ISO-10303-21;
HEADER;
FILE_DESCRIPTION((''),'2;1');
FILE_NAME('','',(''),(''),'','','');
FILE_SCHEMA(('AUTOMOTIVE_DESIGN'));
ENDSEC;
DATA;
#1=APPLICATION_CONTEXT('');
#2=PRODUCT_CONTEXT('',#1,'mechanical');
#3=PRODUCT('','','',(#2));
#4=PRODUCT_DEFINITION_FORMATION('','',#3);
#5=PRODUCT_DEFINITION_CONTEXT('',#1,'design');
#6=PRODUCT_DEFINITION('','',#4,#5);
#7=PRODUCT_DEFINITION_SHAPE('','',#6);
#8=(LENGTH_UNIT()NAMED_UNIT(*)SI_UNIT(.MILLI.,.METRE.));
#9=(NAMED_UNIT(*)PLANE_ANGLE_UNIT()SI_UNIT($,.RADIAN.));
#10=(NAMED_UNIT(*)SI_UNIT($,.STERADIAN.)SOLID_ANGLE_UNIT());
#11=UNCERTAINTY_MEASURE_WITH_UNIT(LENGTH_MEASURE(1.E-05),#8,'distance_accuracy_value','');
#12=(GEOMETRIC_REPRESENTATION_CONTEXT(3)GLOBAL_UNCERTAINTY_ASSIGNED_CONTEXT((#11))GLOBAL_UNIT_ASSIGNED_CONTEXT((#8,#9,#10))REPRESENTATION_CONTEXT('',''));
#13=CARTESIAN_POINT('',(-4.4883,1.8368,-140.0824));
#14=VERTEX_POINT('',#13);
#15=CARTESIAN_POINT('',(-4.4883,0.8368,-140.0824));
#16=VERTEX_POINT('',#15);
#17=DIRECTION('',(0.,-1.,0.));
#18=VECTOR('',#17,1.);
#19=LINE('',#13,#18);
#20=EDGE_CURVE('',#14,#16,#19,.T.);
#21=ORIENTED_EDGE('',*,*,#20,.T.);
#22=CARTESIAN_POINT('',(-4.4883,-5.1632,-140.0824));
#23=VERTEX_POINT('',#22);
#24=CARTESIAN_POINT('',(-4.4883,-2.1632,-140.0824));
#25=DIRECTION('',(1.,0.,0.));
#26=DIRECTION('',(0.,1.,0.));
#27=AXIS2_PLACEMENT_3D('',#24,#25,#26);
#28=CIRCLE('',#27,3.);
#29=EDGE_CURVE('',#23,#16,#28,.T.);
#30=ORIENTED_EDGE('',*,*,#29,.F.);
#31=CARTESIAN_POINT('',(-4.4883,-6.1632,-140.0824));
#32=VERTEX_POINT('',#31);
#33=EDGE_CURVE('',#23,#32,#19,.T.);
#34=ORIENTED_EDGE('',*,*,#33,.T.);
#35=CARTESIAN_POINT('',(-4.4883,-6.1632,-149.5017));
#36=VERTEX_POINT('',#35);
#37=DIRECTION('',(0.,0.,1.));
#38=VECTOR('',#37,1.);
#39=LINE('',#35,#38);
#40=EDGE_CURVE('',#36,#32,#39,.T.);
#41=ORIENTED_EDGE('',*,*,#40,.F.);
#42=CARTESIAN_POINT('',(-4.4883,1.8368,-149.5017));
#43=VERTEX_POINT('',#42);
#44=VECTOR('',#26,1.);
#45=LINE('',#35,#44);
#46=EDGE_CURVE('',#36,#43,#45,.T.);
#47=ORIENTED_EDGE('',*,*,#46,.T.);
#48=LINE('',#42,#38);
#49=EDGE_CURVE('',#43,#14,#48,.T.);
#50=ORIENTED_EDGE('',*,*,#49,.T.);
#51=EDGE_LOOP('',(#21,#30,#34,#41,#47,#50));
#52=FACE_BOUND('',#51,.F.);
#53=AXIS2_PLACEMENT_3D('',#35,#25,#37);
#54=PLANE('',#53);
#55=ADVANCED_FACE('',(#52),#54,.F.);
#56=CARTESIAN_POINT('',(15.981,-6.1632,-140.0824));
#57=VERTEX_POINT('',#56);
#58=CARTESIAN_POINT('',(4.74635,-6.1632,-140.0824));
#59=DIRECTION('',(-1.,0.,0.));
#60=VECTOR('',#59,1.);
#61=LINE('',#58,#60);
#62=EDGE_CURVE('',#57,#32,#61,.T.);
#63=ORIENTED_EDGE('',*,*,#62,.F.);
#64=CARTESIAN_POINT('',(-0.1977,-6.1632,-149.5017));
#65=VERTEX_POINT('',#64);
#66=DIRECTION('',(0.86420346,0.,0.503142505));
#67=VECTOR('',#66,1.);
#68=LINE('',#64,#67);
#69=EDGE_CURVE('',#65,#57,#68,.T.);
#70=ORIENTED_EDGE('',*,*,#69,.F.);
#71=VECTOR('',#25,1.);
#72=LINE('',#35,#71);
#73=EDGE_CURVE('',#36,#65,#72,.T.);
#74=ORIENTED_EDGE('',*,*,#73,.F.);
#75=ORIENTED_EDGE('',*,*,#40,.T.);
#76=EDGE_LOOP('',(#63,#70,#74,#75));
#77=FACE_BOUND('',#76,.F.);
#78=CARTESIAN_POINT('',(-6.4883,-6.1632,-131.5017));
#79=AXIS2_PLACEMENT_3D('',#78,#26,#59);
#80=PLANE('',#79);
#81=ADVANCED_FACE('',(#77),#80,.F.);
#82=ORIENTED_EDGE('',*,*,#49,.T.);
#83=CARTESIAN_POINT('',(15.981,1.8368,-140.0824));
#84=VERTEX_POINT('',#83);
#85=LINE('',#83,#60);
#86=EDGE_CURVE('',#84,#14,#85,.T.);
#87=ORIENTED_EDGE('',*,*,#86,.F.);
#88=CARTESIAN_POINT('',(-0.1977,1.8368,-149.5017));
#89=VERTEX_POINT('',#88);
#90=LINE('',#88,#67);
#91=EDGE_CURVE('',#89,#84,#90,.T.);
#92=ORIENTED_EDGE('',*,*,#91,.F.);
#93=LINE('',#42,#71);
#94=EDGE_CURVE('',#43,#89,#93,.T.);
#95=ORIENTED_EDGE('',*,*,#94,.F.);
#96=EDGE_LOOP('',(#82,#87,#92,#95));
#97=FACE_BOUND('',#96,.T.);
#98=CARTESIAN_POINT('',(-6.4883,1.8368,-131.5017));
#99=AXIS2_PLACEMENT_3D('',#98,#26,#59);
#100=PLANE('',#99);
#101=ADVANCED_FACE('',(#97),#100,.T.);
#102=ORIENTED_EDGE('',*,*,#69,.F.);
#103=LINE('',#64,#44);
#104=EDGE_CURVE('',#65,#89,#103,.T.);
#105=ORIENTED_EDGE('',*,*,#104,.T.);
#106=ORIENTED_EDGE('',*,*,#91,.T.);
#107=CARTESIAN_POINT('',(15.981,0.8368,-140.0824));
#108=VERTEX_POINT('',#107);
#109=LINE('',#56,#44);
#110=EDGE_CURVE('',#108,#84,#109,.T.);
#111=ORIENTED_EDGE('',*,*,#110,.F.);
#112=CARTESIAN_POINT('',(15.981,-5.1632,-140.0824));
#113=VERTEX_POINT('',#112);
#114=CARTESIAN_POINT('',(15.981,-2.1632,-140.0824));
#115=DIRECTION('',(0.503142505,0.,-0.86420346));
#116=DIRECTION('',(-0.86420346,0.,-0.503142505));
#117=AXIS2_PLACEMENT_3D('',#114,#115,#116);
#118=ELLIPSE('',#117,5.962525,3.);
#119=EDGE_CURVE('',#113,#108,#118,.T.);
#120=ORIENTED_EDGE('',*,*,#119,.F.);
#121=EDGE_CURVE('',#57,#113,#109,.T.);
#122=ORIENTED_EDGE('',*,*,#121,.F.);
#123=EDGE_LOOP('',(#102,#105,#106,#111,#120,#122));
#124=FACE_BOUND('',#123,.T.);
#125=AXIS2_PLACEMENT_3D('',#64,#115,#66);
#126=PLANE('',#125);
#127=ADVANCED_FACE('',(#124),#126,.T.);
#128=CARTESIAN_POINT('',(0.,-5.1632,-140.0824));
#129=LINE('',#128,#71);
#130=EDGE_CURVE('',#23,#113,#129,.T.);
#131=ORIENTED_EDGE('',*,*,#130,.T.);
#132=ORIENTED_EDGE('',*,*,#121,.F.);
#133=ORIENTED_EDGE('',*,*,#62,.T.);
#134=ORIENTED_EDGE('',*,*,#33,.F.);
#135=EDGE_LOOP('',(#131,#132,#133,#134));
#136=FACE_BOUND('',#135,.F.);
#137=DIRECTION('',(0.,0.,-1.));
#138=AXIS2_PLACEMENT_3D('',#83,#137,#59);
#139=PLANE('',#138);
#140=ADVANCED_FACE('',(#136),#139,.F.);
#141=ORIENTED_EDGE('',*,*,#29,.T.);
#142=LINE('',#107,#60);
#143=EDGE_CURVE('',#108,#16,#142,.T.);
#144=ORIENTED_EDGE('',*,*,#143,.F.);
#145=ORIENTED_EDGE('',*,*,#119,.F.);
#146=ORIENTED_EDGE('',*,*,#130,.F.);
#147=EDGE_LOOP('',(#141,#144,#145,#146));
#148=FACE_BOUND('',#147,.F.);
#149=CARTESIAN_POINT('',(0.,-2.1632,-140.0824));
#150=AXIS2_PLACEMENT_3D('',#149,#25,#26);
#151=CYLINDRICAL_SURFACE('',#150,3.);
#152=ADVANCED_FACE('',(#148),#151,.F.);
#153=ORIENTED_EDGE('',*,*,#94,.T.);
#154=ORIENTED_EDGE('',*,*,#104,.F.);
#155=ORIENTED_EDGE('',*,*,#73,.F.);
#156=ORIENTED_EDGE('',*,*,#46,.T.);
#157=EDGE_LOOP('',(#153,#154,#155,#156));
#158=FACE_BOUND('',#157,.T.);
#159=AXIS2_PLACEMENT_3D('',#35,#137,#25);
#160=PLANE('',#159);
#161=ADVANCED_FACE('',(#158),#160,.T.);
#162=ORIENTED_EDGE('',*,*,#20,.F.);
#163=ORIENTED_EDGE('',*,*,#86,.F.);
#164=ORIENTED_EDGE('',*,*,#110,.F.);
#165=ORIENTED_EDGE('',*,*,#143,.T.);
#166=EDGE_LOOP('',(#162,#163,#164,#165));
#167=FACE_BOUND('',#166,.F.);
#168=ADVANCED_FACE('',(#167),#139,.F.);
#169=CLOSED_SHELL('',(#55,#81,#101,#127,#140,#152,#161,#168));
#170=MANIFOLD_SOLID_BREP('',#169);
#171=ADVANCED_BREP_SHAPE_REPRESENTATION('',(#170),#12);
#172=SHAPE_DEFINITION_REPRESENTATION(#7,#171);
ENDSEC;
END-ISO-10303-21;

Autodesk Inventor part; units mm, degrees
ref_plane "YZ Plane" through (0, 0, 0) normal (1, 0, 0) x (0, 1, 0)
ref_plane "XZ Plane" through (0, 0, 0) normal (0, 1, 0) x (-1, 0, 0)
ref_plane "XY Plane" through (0, 0, 0) normal (0, 0, 1) x (1, 0, 0)
ref_plane "Work Plane1" through (-6.4883, -6.1632, -131.5017) normal (0, 1, 0) x (-1, 0, 0)
sketch "Sketch1" plane through (-6.4883, -6.1632, -131.5017) normal (0, 1, 0) x (-1, 0, 0)
  line L0 (-2, -18) -> (-2, 0) projected
  line L1 (-2, 0) -> (-7.4816, 0) projected
  line L2 (-22.4693, -8.5807) -> (-7.4816, 0) projected
  line L3 (-6.2906, -18) -> (-22.4693, -8.5807) projected
  line L4 (-2, -18) -> (-6.2906, -18) projected
  point P0 (-6.4883, 131.5017)
extrude "Extrusion1" add sketch "Sketch1" along normal blind 8
sketch "Sketch2" plane through (0, 0, 0) normal (1, 0, 0) x (0, 1, 0)
  line L0 (-6.1632, -140.0824) -> (1.8368, -140.0824) projected
  circle A0 centre (-2.1632, -140.0824) radius 3
  point P0 (0, 0)
  dimension "d2" = 6
extrude "Extrusion2" cut sketch "Sketch2" along normal through all both and the other way through all
sketch "Sketch3" plane through (-6.4883, 1.8368, -131.5017) normal (0, 1, 0) x (1, 0, 0)
  line L0 (2, 18) -> (2, 0) projected
  line L1 (17.3164, 11.5807) -> (22.4693, 8.5807) projected
  line L2 (2, 0) -> (22.4693, 0)
  line L3 (22.4693, 0) -> (22.4693, 8.5807)
  line L4 (22.4693, 8.5807) -> (2, 8.5807)
  line L5 (2, 8.5807) -> (2, 0)
  point P0 (6.4883, -131.5017)
extrude "Extrusion3" cut sketch "Sketch3" against normal through all
properties part number "Wire_Clossing"
